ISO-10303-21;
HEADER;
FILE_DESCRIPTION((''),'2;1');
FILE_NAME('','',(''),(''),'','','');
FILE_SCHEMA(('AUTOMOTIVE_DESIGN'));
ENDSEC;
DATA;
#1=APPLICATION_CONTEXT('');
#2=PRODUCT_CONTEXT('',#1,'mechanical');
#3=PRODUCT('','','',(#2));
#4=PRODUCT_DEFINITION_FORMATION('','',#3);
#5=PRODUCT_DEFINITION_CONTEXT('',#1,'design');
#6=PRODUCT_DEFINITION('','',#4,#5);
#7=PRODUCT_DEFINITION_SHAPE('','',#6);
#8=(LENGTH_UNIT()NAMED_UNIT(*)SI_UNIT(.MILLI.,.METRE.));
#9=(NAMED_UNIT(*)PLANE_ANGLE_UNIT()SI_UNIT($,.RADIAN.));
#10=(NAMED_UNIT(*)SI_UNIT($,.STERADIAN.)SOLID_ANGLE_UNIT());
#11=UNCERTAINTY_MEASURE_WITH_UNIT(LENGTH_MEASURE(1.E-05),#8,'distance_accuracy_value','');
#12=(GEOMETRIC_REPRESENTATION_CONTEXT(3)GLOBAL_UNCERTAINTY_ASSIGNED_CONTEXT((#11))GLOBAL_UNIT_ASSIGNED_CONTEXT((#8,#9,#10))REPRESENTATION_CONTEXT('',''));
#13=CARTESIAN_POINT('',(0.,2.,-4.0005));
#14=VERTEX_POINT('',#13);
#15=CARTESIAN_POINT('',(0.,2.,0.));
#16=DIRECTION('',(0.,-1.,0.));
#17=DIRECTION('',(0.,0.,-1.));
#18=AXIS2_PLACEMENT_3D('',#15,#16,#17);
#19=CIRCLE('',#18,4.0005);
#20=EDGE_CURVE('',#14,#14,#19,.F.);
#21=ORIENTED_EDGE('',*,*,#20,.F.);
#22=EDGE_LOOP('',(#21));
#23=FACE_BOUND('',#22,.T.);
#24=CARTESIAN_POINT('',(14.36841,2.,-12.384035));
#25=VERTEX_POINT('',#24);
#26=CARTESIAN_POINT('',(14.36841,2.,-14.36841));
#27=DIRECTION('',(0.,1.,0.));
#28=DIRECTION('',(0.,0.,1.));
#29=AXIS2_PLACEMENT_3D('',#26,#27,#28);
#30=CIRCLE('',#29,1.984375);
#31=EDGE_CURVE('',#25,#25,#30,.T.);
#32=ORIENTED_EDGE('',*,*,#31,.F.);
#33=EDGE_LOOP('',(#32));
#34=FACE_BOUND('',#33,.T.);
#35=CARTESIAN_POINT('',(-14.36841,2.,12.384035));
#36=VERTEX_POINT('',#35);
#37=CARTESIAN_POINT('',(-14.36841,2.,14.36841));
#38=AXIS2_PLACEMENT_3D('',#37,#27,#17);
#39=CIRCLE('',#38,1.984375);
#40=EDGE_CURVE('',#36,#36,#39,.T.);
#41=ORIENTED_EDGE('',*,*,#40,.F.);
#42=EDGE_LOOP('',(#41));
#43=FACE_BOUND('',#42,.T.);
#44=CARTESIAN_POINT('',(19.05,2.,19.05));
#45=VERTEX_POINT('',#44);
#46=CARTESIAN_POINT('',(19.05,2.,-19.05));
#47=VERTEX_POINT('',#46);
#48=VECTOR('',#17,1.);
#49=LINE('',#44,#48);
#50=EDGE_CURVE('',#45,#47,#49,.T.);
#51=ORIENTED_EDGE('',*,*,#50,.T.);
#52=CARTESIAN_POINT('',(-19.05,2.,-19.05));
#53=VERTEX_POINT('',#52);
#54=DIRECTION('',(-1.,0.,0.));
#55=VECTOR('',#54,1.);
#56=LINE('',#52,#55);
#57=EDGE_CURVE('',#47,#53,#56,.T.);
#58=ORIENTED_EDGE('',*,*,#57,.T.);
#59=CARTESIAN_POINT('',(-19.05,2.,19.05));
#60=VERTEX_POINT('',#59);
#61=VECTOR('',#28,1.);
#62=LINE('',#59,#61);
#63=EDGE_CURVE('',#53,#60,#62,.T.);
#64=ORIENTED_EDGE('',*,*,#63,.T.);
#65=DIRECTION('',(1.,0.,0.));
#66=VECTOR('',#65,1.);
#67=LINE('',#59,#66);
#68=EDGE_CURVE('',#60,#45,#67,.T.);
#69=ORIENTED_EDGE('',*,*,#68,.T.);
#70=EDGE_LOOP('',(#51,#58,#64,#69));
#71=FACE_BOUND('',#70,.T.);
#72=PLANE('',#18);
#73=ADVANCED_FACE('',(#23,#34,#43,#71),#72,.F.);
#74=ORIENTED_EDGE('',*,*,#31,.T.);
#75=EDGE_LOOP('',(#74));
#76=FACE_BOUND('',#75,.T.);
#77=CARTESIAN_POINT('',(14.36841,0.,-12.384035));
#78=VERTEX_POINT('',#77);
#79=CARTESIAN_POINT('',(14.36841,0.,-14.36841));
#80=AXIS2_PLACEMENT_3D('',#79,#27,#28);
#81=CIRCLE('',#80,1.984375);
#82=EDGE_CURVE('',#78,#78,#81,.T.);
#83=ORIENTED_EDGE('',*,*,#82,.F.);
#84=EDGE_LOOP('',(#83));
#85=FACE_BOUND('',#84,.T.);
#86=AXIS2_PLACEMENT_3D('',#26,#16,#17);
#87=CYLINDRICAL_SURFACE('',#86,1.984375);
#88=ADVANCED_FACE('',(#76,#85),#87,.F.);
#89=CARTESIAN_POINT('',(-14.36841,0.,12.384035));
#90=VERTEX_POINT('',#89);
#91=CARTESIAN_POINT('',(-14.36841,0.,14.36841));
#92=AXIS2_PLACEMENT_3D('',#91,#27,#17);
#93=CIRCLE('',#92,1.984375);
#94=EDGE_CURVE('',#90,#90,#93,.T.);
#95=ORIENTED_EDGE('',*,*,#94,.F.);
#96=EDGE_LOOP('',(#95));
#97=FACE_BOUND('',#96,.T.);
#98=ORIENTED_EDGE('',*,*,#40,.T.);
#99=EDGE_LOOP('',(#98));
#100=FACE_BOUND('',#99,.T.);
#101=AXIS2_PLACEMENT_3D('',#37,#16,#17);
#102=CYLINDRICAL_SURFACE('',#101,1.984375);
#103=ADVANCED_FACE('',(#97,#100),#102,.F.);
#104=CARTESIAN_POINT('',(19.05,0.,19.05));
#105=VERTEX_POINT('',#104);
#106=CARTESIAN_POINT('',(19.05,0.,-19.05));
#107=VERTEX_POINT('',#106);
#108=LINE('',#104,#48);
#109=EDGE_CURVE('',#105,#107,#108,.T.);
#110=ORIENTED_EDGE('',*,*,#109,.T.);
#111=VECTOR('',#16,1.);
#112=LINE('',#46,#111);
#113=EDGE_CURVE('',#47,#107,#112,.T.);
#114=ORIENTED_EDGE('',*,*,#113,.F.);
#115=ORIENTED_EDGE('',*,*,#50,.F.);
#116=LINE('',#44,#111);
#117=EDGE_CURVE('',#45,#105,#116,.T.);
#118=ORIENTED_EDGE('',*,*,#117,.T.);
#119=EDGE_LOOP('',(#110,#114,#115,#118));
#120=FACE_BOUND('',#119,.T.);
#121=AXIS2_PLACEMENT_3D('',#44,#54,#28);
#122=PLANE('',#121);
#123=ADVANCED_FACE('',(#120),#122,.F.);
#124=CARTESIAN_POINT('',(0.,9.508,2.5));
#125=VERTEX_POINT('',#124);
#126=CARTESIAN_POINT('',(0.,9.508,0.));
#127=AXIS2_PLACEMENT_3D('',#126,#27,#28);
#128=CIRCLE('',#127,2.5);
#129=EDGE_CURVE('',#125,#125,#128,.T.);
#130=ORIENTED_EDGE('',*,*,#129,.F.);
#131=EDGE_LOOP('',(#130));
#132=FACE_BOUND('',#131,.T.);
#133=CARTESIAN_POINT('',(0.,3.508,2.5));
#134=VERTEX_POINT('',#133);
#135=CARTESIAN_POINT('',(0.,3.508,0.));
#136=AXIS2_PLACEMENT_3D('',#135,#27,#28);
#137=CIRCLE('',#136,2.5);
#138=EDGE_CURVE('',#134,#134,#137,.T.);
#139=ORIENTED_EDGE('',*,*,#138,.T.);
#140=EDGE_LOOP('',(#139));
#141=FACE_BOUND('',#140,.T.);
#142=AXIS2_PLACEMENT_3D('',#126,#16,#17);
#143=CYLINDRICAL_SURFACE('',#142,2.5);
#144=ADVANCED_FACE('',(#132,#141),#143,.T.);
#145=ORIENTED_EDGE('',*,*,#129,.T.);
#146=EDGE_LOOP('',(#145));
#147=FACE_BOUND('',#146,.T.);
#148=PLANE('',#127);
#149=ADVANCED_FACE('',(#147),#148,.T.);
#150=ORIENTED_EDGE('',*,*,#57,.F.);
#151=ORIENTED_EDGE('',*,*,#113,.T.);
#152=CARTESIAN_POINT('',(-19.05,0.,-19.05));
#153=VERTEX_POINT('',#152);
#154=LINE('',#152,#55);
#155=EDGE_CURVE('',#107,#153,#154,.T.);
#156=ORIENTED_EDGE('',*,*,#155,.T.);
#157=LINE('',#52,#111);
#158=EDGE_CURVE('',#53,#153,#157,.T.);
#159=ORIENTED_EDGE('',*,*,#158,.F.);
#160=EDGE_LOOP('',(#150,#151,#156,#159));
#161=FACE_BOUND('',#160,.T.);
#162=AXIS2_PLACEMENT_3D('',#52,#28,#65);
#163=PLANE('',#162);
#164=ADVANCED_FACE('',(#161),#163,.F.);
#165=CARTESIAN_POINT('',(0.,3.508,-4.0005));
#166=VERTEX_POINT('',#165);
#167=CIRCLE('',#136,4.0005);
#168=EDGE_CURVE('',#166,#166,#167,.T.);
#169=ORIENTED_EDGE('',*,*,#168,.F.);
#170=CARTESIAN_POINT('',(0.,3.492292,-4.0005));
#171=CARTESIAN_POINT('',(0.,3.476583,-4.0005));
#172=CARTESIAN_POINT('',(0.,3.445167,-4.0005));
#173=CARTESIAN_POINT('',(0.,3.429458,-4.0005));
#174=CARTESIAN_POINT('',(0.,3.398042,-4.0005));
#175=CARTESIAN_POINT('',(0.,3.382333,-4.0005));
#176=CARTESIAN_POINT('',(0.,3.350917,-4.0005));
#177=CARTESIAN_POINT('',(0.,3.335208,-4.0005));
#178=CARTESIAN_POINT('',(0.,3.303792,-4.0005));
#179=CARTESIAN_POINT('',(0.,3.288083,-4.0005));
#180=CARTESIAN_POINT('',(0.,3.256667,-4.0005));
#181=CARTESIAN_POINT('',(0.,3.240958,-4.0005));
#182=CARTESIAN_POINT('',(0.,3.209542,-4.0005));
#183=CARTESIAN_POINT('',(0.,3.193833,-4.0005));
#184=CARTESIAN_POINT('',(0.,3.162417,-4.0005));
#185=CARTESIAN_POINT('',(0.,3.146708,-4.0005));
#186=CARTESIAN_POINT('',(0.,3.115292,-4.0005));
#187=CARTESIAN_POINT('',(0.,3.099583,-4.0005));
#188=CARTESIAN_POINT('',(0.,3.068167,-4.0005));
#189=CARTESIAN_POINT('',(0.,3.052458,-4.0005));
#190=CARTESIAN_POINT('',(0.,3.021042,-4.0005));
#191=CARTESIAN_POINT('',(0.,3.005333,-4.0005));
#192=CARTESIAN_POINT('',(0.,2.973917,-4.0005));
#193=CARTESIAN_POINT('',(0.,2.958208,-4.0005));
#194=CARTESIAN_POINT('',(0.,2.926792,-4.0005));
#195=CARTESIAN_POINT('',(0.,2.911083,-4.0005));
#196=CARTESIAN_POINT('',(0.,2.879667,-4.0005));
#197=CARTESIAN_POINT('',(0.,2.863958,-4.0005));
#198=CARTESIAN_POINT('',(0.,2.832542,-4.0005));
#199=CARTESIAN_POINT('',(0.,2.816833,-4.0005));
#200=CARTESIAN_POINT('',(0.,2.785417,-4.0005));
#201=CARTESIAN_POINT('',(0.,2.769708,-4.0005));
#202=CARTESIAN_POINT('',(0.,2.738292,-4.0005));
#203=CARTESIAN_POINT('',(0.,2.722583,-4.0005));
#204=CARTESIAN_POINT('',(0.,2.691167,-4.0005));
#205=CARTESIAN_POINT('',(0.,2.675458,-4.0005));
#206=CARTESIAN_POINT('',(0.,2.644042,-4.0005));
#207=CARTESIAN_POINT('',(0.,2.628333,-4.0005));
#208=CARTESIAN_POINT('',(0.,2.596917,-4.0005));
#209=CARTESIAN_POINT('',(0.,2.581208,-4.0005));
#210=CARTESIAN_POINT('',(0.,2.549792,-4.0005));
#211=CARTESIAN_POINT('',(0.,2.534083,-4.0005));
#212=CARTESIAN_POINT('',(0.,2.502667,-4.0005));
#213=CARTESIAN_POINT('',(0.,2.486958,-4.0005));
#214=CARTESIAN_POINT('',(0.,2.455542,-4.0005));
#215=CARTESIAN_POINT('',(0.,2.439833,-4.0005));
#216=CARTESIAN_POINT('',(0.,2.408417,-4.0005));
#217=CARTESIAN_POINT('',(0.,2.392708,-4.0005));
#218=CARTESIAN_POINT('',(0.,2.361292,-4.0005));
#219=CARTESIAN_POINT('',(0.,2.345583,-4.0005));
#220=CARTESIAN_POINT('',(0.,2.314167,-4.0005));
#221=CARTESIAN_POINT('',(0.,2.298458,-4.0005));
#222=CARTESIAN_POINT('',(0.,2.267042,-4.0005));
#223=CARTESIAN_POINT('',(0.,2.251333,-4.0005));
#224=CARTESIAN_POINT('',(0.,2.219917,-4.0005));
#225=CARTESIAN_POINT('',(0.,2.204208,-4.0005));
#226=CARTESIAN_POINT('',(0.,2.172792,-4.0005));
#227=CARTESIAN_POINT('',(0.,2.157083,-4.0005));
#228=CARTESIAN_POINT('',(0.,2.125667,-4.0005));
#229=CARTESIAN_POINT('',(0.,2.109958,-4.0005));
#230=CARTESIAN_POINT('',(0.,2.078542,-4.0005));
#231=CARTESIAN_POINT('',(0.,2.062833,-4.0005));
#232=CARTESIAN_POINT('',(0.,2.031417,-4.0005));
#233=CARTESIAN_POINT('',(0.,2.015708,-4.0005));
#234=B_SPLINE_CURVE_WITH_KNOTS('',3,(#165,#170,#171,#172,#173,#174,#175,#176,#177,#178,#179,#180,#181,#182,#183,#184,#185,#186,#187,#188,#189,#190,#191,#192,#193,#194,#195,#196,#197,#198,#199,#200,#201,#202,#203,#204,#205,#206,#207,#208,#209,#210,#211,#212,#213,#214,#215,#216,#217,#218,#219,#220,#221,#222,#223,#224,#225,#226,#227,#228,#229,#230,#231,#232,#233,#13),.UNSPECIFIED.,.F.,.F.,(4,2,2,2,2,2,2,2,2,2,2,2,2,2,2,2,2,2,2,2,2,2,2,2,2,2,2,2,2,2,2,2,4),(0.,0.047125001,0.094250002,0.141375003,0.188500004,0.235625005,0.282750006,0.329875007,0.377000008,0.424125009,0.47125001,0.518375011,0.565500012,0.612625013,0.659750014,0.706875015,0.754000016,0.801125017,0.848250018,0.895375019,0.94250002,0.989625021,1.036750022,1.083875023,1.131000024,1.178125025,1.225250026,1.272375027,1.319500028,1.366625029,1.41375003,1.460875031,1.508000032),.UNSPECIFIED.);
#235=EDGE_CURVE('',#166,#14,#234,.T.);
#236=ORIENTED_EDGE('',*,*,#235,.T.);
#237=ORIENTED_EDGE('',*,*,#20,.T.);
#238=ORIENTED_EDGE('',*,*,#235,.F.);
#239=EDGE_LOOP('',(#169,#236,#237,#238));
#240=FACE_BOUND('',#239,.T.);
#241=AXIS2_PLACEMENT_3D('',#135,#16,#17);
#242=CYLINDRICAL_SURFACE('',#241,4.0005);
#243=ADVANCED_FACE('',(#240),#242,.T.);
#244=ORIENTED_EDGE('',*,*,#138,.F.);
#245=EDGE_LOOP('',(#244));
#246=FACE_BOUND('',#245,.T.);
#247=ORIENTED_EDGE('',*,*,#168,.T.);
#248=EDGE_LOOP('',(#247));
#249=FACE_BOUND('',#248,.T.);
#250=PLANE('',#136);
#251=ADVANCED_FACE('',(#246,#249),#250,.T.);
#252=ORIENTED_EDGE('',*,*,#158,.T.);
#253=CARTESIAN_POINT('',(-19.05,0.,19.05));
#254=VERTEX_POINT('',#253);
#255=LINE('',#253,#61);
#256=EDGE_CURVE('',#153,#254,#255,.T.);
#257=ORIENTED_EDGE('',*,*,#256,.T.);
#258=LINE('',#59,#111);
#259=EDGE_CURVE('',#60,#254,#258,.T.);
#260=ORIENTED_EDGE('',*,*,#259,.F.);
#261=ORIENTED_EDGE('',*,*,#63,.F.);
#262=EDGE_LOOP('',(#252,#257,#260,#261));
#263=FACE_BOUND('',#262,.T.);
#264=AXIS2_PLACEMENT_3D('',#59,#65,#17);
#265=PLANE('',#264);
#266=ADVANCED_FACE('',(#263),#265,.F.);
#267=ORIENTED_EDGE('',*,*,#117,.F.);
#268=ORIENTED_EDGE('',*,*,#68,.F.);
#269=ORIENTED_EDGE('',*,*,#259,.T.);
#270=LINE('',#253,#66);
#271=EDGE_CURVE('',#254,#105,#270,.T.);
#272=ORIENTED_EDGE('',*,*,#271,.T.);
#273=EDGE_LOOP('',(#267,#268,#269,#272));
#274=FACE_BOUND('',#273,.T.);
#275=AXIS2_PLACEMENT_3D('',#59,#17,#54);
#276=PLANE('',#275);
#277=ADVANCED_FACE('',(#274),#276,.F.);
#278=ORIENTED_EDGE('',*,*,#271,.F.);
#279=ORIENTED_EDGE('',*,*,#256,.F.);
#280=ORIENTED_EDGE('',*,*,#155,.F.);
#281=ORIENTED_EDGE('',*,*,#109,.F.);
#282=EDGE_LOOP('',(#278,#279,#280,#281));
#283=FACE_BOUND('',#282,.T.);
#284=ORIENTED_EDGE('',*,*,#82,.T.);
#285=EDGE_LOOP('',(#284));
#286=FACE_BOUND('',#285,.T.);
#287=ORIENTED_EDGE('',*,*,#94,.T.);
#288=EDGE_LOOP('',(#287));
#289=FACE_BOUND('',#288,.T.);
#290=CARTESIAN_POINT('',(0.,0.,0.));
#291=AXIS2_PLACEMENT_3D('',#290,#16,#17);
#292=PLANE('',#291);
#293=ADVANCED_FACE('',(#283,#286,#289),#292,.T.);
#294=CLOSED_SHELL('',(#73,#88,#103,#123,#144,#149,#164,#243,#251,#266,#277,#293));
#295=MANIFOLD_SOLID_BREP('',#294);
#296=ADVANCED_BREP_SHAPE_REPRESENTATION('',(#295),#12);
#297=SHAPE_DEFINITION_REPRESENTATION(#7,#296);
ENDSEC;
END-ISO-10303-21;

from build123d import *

# Parameters (mm, degrees)
SKETCH1_W           = 38.1
SKETCH1_H           = 38.1
SKETCH1_R           = 1.984375
BOSS_EXTRUDE1_DEPTH = 2
SKETCH2_R           = 4.0005
BOSS_EXTRUDE2_DEPTH = 1.508000032
SKETCH3_R           = 2.5
BOSS_EXTRUDE3_DEPTH = 6


with BuildPart() as part:
    # Sketch1 → Boss-Extrude1 (new body)
    with BuildSketch(Plane(origin=(0, 0, 0), x_dir=(1, 0, 0), z_dir=(0, 1, 0))):
        Rectangle(SKETCH1_W, SKETCH1_H)
        with Locations(Location((14.368409794, 14.368409794, 0), (0, 0, 270))):
            Circle(SKETCH1_R, mode=Mode.SUBTRACT)
        with Locations(Location((-14.368409794, -14.368409794, 0), (0, 0, 90))):
            Circle(SKETCH1_R, mode=Mode.SUBTRACT)
    extrude(amount=BOSS_EXTRUDE1_DEPTH)

    # Sketch2 → Boss-Extrude2 (add)
    with BuildSketch(Plane(origin=(0, 2, 0), x_dir=(1, 0, 0), z_dir=(0, 1, 0))):
        with Locations(Location((0, 0, 0), (0, 0, 90))):
            Circle(SKETCH2_R)
    extrude(amount=BOSS_EXTRUDE2_DEPTH)

    # Sketch3 → Boss-Extrude3 (add)
    with BuildSketch(Plane(origin=(0, 3.508000032, 0), x_dir=(1, 0, 0), z_dir=(0, 1, 0))):
        with Locations(Location((0, 0, 0), (0, 0, 270))):
            Circle(SKETCH3_R)
    extrude(amount=BOSS_EXTRUDE3_DEPTH)


solid = part.part
